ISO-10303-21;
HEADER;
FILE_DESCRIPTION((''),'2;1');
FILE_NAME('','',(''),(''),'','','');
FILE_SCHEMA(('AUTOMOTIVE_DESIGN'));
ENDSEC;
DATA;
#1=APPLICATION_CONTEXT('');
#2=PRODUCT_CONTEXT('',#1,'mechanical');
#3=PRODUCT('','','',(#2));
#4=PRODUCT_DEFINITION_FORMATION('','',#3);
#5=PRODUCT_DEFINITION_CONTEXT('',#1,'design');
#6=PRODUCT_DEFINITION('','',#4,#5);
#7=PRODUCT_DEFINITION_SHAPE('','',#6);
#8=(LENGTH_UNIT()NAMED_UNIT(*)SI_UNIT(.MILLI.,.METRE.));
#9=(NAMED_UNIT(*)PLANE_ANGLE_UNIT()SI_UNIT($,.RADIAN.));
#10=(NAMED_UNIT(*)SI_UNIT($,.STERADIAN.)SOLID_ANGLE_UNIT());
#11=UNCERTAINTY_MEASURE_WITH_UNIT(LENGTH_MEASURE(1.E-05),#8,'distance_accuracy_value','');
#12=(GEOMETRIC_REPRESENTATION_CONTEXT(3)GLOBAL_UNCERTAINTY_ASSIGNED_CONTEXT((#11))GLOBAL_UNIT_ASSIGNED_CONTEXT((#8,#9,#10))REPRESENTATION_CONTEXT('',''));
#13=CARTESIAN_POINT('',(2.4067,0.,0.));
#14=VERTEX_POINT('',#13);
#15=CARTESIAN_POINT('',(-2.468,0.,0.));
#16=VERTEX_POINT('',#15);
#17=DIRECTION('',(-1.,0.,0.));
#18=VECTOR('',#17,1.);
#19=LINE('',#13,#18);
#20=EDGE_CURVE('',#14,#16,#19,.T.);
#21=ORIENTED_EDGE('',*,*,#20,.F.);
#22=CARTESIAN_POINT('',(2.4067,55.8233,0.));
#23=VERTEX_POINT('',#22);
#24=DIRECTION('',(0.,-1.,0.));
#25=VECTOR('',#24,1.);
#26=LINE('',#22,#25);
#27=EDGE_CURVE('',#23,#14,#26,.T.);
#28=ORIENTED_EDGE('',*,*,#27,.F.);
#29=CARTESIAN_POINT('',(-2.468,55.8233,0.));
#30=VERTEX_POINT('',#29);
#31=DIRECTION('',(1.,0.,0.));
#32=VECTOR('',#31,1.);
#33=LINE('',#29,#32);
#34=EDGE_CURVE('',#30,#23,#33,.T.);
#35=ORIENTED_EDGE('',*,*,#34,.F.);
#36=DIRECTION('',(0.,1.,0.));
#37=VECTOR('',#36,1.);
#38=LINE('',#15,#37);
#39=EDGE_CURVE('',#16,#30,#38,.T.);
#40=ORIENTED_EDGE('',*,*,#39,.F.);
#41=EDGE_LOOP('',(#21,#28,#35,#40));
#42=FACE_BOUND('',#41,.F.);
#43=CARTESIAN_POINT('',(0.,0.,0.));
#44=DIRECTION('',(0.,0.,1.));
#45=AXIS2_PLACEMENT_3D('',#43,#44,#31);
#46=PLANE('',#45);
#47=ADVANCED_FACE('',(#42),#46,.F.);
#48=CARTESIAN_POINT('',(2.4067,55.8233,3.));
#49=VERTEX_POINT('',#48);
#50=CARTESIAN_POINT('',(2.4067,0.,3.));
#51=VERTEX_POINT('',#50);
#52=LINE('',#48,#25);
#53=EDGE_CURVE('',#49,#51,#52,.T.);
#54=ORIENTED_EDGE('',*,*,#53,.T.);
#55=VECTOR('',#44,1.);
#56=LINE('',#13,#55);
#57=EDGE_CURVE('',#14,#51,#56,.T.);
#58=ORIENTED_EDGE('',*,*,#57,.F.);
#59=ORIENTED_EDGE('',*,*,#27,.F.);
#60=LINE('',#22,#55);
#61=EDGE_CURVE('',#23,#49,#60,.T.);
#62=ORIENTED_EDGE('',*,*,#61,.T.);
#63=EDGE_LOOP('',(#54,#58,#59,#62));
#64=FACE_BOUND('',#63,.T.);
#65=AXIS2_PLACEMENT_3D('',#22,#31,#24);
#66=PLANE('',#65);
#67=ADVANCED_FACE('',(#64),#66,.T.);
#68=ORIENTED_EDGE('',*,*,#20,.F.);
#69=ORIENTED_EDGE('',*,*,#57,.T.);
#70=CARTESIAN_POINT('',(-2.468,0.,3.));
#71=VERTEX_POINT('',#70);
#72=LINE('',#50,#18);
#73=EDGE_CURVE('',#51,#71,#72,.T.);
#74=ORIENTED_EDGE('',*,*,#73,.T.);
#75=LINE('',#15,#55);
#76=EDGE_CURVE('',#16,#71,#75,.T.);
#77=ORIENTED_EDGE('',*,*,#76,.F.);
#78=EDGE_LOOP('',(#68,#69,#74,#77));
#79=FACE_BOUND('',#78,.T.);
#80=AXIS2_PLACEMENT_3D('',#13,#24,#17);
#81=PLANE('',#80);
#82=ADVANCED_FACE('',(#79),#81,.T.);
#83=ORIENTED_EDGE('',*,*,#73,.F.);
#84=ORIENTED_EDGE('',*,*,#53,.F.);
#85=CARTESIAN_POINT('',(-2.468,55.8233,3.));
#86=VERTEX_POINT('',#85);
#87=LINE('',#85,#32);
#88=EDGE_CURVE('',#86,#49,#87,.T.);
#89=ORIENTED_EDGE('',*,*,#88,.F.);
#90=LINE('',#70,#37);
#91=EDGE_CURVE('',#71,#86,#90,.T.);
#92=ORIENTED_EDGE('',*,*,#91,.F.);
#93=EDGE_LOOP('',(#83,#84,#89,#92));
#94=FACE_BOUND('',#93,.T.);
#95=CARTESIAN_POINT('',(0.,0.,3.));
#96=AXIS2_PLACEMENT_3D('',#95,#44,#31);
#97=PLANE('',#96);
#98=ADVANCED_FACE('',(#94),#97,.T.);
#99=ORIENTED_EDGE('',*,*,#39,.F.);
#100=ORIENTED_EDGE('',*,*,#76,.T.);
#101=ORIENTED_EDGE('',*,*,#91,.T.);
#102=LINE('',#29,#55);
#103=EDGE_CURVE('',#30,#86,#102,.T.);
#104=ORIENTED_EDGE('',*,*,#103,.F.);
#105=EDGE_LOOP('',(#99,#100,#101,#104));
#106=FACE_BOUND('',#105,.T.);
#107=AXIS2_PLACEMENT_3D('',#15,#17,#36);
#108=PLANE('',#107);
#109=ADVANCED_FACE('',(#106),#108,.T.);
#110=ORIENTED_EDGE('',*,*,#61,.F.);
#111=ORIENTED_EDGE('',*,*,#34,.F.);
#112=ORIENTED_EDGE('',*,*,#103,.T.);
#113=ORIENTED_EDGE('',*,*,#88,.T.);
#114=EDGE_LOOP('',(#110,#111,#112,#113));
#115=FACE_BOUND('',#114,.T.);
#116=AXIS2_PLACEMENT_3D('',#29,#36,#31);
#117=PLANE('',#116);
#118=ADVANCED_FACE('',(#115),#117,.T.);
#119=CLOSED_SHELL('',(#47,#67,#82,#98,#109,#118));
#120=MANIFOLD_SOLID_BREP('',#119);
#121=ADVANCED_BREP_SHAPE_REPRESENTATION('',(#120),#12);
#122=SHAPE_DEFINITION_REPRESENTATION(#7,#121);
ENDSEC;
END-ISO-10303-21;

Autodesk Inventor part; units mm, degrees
ref_plane "YZ Plane" through (0, 0, 0) normal (1, 0, 0) x (0, 1, 0)
ref_plane "XZ Plane" through (0, 0, 0) normal (0, 1, 0) x (-1, 0, 0)
ref_plane "XY Plane" through (0, 0, 0) normal (0, 0, 1) x (1, 0, 0)
sketch "Esquisse1" plane through (0, 0, 0) normal (0, 0, 1) x (1, 0, 0)
  line L0 (2.4067, 0) -> (-2.468, 0)
  line L1 (-2.468, 0) -> (-2.468, 55.8233)
  line L2 (-2.468, 55.8233) -> (2.4067, 55.8233)
  line L3 (2.4067, 55.8233) -> (2.4067, 0)
  point P0 (0, 0)
extrude "Extrusion1" add sketch "Esquisse1" along normal blind 3
properties part number "tigemoteur"
